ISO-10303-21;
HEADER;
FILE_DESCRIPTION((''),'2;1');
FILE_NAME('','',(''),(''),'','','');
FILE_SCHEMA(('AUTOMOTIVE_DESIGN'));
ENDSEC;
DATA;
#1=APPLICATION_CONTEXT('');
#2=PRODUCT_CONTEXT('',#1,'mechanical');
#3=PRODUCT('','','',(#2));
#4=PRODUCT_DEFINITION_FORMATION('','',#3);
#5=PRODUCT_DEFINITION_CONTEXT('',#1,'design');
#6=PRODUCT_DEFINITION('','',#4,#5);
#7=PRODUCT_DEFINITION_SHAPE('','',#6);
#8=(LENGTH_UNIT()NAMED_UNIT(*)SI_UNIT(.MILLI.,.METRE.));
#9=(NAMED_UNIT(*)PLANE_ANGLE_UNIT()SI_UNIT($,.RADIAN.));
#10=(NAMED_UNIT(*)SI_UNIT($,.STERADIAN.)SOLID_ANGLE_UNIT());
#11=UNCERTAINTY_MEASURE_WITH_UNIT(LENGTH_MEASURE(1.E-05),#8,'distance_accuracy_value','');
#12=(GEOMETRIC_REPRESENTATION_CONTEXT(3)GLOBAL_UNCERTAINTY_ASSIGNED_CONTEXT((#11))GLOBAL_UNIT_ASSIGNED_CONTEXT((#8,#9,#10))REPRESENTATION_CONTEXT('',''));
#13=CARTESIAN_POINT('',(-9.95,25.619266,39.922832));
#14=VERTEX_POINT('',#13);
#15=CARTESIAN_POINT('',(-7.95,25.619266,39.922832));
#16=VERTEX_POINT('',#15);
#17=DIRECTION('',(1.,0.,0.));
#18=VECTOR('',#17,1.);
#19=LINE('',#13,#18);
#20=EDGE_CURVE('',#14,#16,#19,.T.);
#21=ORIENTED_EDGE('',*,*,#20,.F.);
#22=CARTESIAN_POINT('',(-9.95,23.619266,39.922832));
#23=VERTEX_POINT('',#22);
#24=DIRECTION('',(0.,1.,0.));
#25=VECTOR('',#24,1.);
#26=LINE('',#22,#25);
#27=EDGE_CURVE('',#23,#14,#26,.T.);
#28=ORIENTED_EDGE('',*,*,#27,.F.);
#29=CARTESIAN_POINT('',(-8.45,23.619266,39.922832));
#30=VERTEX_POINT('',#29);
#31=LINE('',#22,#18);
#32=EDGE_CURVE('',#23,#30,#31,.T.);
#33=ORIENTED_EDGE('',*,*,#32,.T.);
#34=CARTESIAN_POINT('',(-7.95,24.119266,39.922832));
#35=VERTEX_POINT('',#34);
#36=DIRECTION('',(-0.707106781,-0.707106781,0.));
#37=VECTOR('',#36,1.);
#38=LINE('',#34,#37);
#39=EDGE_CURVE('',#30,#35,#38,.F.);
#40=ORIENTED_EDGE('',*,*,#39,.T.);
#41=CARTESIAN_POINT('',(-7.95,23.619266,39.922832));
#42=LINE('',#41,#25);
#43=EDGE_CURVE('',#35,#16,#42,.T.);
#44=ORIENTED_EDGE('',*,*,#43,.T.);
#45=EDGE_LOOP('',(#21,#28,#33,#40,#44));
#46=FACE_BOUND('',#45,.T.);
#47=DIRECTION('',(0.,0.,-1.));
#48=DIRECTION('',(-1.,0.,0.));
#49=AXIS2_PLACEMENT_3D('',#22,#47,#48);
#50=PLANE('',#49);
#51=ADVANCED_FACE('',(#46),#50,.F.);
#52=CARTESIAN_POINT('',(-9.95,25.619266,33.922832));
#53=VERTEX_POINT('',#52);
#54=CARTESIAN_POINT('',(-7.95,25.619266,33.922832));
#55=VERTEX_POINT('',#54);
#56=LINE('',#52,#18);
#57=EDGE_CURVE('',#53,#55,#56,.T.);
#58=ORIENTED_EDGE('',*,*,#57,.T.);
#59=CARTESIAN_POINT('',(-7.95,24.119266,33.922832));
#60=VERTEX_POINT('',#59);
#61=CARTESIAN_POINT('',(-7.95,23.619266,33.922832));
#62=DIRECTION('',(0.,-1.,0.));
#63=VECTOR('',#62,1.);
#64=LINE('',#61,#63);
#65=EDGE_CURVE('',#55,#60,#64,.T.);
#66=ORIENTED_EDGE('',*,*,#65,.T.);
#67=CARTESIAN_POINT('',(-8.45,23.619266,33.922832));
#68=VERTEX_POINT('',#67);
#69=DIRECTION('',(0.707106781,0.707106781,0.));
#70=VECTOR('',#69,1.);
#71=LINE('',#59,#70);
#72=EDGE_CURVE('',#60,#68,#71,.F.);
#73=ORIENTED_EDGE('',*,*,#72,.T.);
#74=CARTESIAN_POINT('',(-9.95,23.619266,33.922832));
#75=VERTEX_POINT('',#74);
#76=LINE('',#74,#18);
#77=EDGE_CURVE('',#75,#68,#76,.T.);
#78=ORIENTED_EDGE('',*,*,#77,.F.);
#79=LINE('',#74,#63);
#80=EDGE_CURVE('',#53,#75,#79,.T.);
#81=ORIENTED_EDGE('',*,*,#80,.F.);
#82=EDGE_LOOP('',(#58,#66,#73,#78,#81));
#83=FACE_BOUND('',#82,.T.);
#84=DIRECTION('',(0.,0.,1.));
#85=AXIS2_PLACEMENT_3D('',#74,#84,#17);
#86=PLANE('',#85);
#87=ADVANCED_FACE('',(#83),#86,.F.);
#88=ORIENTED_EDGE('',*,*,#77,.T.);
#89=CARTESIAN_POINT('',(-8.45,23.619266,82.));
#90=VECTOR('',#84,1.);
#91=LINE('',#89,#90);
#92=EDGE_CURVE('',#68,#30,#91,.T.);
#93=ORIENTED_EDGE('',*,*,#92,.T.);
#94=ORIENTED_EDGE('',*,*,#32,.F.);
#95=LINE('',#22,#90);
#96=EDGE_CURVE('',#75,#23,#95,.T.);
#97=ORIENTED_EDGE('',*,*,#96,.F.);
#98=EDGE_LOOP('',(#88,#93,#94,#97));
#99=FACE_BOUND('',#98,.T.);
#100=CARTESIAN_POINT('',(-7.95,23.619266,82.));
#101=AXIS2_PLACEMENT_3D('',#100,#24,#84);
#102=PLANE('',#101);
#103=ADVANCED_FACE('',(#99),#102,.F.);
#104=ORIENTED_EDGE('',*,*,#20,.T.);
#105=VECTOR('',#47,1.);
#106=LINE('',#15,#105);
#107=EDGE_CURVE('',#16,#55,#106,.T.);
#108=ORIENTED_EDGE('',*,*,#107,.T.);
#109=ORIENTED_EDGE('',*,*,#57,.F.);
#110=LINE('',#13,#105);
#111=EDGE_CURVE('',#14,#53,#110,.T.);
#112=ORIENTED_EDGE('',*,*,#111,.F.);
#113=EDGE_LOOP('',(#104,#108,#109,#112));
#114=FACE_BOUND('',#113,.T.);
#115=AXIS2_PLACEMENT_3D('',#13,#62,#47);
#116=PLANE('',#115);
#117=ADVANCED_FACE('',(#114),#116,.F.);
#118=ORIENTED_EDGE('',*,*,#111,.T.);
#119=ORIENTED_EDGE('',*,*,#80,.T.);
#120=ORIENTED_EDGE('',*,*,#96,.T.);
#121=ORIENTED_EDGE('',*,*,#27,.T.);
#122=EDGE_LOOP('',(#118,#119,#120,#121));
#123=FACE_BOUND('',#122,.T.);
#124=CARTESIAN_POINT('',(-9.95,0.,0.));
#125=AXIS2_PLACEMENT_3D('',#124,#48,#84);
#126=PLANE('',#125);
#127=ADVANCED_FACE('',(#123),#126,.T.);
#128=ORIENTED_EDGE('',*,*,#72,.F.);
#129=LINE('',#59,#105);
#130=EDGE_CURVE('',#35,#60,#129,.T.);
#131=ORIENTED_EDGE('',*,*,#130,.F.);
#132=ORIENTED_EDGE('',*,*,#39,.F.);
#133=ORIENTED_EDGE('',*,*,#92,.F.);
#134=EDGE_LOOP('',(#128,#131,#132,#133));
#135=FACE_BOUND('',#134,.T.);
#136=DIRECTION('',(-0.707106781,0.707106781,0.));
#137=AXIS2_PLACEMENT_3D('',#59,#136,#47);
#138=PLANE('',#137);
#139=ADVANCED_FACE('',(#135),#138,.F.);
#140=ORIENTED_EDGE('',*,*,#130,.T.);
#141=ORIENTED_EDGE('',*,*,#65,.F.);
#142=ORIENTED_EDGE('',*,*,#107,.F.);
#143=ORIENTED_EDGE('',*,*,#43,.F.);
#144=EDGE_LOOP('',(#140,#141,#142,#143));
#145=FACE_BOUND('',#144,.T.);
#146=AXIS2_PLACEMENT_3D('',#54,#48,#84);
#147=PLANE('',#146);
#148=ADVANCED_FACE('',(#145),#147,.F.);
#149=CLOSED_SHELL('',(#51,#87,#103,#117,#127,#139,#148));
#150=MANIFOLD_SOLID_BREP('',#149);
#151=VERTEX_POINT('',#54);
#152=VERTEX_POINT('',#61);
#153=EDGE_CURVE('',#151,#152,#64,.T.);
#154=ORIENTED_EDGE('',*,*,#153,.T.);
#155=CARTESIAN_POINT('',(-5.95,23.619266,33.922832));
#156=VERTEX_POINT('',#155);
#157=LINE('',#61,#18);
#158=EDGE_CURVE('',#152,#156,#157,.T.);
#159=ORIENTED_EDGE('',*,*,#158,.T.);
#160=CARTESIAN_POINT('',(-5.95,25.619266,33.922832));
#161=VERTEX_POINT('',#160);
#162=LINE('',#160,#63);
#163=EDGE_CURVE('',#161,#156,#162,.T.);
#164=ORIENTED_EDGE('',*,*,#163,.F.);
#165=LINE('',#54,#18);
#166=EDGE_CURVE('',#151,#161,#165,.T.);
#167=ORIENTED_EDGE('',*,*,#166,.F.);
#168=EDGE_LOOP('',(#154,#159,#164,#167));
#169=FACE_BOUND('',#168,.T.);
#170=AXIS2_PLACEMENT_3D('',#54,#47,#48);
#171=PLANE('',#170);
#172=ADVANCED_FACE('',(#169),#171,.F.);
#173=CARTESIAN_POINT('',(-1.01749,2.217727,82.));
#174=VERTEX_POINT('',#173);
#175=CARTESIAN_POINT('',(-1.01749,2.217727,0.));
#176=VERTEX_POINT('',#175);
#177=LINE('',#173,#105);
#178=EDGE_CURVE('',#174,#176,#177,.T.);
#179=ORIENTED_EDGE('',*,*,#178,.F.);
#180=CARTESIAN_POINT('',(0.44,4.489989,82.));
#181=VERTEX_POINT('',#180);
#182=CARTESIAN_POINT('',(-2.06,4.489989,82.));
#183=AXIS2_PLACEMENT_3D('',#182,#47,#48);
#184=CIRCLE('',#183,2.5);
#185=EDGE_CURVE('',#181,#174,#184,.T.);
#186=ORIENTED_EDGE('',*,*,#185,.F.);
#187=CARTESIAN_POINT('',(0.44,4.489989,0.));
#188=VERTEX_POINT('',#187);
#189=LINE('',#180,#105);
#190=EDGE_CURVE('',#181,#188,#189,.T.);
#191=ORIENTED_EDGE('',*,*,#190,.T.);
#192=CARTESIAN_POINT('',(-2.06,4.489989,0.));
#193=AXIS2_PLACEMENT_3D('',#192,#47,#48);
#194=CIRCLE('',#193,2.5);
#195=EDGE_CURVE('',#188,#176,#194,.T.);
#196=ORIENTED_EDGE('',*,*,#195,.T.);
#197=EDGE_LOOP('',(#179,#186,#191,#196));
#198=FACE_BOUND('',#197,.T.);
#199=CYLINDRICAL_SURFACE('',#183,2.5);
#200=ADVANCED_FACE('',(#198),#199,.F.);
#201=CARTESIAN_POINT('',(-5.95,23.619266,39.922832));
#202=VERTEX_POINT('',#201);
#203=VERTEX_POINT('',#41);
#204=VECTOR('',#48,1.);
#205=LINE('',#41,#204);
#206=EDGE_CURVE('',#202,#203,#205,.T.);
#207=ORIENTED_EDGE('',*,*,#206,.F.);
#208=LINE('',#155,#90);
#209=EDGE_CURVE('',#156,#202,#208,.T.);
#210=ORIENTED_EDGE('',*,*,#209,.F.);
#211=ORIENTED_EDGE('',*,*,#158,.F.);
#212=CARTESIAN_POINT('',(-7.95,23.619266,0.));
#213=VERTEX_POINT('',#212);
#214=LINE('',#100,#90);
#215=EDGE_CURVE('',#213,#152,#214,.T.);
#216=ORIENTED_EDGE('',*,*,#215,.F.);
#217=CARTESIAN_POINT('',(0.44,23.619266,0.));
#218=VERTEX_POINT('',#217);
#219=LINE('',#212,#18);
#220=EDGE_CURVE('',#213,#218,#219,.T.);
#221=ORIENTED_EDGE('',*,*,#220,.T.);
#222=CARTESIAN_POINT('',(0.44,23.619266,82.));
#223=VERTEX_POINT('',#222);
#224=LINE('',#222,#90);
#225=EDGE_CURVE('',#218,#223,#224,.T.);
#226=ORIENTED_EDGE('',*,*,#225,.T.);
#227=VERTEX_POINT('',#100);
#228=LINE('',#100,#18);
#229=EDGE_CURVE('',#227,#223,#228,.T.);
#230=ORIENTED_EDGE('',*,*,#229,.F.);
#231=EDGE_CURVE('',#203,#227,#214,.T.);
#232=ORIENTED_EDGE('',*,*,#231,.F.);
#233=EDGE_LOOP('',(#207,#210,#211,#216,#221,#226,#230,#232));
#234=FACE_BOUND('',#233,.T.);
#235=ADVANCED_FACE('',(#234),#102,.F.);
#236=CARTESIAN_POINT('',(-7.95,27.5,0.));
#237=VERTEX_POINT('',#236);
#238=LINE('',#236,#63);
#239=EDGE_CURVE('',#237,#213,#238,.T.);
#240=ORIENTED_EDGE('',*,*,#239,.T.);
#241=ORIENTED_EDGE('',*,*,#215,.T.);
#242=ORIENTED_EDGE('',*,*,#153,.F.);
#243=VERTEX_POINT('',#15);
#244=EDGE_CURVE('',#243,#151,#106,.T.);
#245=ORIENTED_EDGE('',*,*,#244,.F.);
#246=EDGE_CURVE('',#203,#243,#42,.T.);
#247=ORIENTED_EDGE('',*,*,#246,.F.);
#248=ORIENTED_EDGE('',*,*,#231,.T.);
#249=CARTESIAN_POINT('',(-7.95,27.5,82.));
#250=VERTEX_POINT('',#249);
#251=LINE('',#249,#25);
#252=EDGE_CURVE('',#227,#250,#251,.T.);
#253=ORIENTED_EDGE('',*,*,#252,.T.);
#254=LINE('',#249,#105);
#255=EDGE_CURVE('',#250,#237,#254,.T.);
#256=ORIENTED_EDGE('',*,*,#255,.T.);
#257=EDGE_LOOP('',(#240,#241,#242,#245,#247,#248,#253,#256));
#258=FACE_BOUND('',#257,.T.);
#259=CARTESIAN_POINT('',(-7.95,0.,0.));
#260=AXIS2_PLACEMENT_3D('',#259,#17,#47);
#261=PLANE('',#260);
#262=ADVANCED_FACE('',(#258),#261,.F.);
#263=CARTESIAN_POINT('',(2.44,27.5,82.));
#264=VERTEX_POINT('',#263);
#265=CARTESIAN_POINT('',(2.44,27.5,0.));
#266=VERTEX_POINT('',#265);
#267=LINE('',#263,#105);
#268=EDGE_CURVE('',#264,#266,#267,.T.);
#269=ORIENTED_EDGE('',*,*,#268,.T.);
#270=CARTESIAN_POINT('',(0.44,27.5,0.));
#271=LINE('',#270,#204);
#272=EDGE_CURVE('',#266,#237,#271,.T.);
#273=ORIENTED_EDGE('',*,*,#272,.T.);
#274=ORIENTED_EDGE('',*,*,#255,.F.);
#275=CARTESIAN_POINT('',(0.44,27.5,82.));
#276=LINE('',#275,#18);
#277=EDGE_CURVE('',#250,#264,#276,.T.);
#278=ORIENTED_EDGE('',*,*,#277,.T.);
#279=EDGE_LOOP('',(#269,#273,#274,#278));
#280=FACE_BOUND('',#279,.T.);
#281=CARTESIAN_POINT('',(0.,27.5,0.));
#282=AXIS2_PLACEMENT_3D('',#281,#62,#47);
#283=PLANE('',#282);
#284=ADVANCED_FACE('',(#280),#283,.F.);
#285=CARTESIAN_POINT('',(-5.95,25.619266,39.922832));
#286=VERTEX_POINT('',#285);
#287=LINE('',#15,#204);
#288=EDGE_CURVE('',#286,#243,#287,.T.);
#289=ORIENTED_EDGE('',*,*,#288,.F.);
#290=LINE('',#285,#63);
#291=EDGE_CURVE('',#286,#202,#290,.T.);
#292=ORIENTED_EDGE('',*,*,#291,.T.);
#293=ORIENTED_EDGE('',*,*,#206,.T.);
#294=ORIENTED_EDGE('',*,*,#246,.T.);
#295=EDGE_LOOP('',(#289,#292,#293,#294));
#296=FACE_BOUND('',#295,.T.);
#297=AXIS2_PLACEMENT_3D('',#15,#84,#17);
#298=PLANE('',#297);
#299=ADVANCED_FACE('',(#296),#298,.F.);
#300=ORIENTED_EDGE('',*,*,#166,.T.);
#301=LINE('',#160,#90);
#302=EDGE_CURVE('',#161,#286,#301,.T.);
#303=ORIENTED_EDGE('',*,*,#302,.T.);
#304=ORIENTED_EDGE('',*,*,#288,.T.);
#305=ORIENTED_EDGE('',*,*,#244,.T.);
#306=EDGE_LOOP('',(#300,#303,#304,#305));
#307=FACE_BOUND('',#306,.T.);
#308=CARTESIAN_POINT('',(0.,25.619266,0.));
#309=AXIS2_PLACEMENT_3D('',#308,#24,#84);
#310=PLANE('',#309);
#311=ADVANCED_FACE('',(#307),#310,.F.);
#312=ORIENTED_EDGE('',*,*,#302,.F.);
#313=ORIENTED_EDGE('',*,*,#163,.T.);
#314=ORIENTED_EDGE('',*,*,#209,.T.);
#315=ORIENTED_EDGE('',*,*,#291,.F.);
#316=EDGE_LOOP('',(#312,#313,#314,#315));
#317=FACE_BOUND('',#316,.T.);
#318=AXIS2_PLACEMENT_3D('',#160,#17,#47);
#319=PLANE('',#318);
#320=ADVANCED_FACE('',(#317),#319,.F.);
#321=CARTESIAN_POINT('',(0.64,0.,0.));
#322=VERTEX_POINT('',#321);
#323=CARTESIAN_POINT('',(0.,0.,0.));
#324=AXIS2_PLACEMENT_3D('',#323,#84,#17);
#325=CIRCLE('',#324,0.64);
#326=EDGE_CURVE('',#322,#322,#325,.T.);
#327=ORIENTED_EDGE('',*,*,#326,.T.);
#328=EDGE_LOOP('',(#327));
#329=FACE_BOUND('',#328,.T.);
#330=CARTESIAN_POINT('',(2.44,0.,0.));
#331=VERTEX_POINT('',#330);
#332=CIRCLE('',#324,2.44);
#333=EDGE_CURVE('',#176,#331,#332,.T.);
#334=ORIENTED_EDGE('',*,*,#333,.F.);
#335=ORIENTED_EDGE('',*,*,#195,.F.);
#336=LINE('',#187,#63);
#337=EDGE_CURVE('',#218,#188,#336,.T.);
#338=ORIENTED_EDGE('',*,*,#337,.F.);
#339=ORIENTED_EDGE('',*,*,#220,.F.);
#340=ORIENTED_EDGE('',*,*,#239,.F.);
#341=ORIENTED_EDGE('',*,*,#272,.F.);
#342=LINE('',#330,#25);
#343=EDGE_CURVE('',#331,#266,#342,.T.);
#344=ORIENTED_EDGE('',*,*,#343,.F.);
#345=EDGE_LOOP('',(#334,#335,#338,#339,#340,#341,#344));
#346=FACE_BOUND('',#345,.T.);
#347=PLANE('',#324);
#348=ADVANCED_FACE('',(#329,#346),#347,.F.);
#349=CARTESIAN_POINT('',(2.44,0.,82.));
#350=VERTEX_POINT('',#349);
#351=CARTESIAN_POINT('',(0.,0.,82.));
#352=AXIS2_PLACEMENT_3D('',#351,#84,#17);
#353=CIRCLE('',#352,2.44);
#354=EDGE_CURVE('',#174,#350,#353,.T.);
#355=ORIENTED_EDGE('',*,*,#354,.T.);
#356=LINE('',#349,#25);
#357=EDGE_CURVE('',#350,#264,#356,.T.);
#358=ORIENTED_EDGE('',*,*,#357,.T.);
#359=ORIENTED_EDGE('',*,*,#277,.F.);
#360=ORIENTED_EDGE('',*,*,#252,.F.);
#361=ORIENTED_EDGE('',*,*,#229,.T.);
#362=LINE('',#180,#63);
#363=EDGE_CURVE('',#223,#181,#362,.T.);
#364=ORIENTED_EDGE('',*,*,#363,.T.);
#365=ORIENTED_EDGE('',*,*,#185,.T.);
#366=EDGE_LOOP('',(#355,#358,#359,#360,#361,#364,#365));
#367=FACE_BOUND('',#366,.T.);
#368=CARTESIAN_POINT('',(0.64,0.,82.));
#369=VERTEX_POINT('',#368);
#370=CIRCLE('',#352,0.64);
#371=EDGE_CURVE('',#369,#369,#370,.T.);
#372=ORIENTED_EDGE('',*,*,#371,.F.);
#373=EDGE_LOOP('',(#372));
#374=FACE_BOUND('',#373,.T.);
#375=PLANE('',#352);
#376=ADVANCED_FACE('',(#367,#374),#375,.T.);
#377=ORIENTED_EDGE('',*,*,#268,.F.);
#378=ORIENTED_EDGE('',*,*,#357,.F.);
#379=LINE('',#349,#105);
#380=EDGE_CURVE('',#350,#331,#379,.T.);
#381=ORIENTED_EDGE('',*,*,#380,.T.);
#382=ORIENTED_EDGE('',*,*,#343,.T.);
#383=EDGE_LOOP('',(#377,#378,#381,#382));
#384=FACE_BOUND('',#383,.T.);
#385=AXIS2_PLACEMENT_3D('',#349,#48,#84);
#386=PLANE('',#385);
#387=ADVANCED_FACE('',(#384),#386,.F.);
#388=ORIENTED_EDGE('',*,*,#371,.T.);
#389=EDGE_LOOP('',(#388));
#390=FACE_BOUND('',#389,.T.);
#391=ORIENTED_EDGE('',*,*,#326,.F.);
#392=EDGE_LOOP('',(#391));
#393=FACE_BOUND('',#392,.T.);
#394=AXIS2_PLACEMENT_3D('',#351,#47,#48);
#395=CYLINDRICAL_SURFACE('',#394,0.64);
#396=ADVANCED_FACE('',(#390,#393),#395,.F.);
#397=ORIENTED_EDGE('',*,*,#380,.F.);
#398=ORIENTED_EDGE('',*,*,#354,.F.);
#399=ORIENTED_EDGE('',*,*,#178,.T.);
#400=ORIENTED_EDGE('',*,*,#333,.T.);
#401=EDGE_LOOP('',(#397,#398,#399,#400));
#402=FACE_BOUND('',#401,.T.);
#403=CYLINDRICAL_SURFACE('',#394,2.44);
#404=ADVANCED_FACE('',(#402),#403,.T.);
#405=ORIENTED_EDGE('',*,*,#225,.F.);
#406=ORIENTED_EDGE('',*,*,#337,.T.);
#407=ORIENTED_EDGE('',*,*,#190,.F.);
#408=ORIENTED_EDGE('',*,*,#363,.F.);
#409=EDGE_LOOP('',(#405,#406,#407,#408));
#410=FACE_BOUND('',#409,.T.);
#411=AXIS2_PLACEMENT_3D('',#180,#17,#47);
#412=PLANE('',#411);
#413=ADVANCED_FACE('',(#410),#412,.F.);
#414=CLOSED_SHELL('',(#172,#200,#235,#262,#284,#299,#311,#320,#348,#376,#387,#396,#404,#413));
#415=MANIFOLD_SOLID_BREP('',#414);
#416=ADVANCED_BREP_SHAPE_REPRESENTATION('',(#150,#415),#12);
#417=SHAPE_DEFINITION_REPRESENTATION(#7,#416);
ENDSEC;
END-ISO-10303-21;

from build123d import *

# Parameters (mm, degrees)
SKETCH1_R           = 0.64
BOSS_EXTRUDE1_DEPTH = 82
SKETCH3_W           = 2
SKETCH3_H           = 82
BOSS_EXTRUDE4_DEPTH = 2.5
SKETCH6_W           = 82
SKETCH6_H           = 3.880734095
BOSS_EXTRUDE5_DEPTH = 8.39
SKETCH27_W          = 6
SKETCH27_H          = 2
BOSS_EXTRUDE6_DEPTH = 2
SKETCH26_W          = 2
SKETCH26_H          = 6
CUT_EXTRUDE2_DEPTH  = 2
CHAMFER1_SIZE       = 0.5


with BuildPart() as part:
    # Sketch1 → Boss-Extrude1 (new body)
    with BuildSketch(Plane.XY):
        with BuildLine():
            Line((2.44, 0), (2.44, 25))
            Line((2.44, 25), (0.44, 25))
            Line((0.44, 25), (0.44, 4.489988864))
            ThreePointArc((0.44, 4.489988864), (0.044314057, 3.140225052), (-1.017489879, 2.217727293))
            ThreePointArc((-1.017489879, 2.217727293), (-1.317369481, -2.05381052), (2.44, 0))
        make_face()
        Circle(SKETCH1_R, mode=Mode.SUBTRACT)
    extrude(amount=BOSS_EXTRUDE1_DEPTH)

    # Sketch3 → Boss-Extrude4 (add)
    with BuildSketch(Plane(origin=(0, 25, 0), x_dir=(1, 0, 0), z_dir=(0, 1, 0))):
        with Locations((1.44, -41)):
            Rectangle(SKETCH3_W, SKETCH3_H)
    extrude(amount=BOSS_EXTRUDE4_DEPTH)

    # Sketch6 → Boss-Extrude5 (add)
    with BuildSketch(Plane.ZY.offset(-0.44)):
        with Locations((41, 25.559632953)):
            Rectangle(SKETCH6_W, SKETCH6_H)
    extrude(amount=BOSS_EXTRUDE5_DEPTH)

    # Sketch27 → Boss-Extrude6 (add)
    with BuildSketch(Plane.ZY.offset(7.95)):
        with Locations((36.92283214, 24.619265905)):
            Rectangle(SKETCH27_W, SKETCH27_H)
    extrude(amount=BOSS_EXTRUDE6_DEPTH)

    # Sketch26 → Cut-Extrude2 (cut)
    with BuildSketch(Plane.XZ.offset(-23.619265905)):
        with Locations((-6.95, 36.92283214)):
            Rectangle(SKETCH26_W, SKETCH26_H)
    extrude(amount=-CUT_EXTRUDE2_DEPTH, mode=Mode.SUBTRACT)


with BuildPart() as cut_extrude2_piece_1:
    # of the separate pieces the step leaves, piece 1, a body of its own (cut_extrude2_pieces)
    add(part.part.solids().sort_by_distance((2.44, 0, 0))[0])


with BuildPart() as cut_extrude2_piece_2:
    # of the separate pieces the step leaves, piece 2, a body of its own (cut_extrude2_pieces)
    add(part.part.solids().sort_by_distance((-9.95, 25.619265905, 39.92283214))[0])

    # Chamfer1
    chamfer1_edges = [cut_extrude2_piece_2.edges().sort_by_distance(p)[0] for p in [
        (-7.95, 23.619265905, 36.92283214),
    ]]
    chamfer(chamfer1_edges, length=CHAMFER1_SIZE)


solid = Compound([cut_extrude2_piece_1.part, cut_extrude2_piece_2.part])
